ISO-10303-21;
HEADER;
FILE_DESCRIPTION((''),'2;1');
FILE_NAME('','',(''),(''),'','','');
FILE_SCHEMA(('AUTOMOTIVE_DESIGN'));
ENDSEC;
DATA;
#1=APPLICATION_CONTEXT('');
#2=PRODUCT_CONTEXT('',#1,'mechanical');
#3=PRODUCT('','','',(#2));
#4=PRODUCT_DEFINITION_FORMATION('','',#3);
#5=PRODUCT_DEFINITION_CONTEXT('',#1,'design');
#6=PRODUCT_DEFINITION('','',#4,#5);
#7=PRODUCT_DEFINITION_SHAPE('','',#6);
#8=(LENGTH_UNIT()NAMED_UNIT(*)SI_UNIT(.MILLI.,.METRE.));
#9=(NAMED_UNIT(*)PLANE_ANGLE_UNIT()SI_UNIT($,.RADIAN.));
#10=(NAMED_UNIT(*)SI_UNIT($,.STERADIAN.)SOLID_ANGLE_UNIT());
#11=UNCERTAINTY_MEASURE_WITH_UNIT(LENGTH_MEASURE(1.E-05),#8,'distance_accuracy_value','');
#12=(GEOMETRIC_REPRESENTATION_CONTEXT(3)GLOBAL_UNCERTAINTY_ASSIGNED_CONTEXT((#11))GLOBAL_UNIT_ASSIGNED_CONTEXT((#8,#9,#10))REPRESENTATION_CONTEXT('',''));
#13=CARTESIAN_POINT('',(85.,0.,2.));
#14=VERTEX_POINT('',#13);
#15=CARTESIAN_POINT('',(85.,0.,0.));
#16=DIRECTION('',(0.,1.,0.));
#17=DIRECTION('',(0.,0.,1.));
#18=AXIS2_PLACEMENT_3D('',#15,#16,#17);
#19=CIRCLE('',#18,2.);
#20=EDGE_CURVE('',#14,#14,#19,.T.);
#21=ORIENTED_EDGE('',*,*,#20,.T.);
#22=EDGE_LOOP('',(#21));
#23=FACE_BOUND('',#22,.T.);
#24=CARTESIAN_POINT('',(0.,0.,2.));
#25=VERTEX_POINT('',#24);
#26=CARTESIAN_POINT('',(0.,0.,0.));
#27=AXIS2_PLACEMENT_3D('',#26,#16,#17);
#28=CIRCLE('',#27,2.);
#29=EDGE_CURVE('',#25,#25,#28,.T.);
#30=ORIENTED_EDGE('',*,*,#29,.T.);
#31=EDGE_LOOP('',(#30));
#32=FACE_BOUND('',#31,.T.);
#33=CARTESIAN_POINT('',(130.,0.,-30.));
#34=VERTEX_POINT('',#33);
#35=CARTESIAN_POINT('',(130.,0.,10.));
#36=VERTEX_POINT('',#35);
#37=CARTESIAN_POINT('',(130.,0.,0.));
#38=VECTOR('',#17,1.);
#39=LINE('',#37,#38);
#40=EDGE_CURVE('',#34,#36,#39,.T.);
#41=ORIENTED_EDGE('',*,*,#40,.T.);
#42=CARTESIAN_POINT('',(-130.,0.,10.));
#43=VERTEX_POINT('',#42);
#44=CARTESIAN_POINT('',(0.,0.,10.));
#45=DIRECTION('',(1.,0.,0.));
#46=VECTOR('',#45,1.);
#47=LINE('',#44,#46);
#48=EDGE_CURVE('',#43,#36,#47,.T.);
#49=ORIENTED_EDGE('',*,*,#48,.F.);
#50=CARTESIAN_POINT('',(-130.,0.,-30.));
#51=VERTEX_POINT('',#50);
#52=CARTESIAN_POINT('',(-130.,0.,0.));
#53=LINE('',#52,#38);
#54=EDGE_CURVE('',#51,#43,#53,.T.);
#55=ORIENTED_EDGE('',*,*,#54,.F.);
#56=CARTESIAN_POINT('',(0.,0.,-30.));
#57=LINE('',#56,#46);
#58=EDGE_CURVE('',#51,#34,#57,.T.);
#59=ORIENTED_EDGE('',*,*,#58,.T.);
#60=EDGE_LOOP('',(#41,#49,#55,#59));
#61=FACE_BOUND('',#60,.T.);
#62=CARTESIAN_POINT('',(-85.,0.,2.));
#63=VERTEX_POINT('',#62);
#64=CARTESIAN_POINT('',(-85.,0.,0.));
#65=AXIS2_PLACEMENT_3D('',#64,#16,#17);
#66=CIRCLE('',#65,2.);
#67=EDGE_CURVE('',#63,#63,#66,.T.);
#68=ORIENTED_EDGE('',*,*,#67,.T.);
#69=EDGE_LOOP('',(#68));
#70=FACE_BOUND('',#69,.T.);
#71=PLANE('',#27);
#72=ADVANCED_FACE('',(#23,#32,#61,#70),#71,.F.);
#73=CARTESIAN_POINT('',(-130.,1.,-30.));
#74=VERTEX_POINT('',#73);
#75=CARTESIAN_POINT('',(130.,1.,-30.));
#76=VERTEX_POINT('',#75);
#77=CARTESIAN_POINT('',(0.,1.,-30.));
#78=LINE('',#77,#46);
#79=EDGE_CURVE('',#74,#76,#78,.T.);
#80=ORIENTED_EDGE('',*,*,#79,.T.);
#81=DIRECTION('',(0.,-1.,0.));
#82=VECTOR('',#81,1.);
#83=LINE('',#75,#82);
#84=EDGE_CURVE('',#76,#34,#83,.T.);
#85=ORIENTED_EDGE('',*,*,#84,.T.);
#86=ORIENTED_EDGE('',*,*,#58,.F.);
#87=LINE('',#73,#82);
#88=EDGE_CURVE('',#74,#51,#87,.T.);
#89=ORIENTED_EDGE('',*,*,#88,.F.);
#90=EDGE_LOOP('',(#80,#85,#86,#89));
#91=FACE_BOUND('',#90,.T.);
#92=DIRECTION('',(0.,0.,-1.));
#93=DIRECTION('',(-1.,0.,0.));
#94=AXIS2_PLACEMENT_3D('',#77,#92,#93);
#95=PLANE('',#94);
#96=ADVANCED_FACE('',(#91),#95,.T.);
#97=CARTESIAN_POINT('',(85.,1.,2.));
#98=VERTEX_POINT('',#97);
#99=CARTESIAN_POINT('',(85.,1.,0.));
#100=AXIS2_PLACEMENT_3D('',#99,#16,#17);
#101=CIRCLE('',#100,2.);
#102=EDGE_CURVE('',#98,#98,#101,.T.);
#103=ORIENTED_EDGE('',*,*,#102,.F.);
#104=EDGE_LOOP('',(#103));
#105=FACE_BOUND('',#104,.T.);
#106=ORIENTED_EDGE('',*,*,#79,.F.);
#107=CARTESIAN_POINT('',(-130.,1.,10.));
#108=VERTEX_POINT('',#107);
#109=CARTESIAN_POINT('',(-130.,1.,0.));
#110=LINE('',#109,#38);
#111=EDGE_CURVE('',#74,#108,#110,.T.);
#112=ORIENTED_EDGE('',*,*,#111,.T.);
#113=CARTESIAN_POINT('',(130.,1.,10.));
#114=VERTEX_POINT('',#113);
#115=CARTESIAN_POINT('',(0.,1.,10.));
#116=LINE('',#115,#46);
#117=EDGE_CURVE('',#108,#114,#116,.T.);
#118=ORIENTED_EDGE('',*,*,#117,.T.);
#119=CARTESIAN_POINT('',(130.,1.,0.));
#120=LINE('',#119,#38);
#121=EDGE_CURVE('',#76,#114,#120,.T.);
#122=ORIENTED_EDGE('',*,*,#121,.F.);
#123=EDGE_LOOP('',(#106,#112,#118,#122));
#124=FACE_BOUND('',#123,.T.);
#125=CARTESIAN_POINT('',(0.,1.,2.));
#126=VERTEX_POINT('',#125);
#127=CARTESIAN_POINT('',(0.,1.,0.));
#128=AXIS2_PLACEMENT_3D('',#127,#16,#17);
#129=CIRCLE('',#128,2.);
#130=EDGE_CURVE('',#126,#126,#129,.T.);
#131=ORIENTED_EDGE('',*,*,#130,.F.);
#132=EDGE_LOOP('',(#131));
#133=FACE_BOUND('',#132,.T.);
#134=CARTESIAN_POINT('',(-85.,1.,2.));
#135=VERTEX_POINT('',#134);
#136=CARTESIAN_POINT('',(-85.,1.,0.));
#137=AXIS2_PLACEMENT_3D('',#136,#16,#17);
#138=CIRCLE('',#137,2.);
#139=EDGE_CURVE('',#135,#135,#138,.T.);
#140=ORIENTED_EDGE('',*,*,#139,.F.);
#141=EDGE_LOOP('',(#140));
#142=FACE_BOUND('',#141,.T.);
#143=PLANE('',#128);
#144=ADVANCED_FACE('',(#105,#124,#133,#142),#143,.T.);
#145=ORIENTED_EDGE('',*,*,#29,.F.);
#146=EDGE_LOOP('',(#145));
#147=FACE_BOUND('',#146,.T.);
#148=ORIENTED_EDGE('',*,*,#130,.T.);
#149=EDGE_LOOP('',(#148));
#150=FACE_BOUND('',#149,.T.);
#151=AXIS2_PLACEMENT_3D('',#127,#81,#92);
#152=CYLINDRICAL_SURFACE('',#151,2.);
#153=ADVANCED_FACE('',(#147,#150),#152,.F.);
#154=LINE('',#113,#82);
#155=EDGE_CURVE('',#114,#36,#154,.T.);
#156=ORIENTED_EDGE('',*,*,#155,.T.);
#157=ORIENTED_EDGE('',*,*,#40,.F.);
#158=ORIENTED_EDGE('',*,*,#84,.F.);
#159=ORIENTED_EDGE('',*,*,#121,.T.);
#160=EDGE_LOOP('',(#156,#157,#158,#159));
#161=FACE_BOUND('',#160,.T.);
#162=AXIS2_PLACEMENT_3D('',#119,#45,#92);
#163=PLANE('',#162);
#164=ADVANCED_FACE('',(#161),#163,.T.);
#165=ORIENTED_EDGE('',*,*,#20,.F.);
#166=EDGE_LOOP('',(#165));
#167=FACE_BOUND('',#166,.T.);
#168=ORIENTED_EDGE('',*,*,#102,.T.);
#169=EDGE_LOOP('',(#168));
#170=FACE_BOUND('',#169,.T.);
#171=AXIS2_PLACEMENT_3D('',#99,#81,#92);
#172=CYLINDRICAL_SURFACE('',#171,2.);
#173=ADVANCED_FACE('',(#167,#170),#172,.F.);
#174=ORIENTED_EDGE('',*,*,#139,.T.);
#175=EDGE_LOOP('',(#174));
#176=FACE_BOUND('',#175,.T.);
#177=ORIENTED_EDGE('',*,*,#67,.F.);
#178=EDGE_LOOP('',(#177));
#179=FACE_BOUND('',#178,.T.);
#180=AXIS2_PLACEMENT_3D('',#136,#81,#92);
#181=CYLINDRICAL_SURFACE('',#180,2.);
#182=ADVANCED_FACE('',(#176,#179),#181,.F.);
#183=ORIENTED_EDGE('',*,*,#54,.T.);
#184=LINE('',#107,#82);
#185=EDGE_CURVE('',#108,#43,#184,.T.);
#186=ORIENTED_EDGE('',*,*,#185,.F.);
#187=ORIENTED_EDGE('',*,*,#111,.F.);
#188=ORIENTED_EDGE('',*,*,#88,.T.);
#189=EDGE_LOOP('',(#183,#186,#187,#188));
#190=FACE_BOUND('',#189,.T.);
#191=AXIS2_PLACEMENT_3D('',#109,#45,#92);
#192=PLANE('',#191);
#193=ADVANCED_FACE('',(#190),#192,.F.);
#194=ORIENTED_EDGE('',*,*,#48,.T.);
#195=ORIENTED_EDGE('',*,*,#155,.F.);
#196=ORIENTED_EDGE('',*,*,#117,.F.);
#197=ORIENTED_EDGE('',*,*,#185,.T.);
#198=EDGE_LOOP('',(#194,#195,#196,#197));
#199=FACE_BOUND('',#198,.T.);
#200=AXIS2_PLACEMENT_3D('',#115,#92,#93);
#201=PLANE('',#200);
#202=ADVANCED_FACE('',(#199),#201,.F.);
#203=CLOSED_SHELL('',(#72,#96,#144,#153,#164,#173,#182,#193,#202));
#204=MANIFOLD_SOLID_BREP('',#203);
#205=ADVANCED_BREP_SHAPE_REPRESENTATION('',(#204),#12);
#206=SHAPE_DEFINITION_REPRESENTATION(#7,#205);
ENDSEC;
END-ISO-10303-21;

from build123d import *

# Parameters (mm, degrees)
SKETCH1_4_W         = 260
SKETCH1_4_H         = 40
SKETCH1_4_R         = 2
BOSS_EXTRUDE3_DEPTH = 1


with BuildPart() as part:
    # Sketch1_4 → Boss-Extrude3 (new body)
    with BuildSketch(Plane(origin=(0, 0, 0), x_dir=(1, 0, 0), z_dir=(0, 1, 0))):
        with Locations((0, 10)):
            Rectangle(SKETCH1_4_W, SKETCH1_4_H)
        with Locations((-85, 0)):
            Circle(SKETCH1_4_R, mode=Mode.SUBTRACT)
        Circle(SKETCH1_4_R, mode=Mode.SUBTRACT)
        with Locations((85, 0)):
            Circle(SKETCH1_4_R, mode=Mode.SUBTRACT)
    extrude(amount=BOSS_EXTRUDE3_DEPTH)


solid = part.part
